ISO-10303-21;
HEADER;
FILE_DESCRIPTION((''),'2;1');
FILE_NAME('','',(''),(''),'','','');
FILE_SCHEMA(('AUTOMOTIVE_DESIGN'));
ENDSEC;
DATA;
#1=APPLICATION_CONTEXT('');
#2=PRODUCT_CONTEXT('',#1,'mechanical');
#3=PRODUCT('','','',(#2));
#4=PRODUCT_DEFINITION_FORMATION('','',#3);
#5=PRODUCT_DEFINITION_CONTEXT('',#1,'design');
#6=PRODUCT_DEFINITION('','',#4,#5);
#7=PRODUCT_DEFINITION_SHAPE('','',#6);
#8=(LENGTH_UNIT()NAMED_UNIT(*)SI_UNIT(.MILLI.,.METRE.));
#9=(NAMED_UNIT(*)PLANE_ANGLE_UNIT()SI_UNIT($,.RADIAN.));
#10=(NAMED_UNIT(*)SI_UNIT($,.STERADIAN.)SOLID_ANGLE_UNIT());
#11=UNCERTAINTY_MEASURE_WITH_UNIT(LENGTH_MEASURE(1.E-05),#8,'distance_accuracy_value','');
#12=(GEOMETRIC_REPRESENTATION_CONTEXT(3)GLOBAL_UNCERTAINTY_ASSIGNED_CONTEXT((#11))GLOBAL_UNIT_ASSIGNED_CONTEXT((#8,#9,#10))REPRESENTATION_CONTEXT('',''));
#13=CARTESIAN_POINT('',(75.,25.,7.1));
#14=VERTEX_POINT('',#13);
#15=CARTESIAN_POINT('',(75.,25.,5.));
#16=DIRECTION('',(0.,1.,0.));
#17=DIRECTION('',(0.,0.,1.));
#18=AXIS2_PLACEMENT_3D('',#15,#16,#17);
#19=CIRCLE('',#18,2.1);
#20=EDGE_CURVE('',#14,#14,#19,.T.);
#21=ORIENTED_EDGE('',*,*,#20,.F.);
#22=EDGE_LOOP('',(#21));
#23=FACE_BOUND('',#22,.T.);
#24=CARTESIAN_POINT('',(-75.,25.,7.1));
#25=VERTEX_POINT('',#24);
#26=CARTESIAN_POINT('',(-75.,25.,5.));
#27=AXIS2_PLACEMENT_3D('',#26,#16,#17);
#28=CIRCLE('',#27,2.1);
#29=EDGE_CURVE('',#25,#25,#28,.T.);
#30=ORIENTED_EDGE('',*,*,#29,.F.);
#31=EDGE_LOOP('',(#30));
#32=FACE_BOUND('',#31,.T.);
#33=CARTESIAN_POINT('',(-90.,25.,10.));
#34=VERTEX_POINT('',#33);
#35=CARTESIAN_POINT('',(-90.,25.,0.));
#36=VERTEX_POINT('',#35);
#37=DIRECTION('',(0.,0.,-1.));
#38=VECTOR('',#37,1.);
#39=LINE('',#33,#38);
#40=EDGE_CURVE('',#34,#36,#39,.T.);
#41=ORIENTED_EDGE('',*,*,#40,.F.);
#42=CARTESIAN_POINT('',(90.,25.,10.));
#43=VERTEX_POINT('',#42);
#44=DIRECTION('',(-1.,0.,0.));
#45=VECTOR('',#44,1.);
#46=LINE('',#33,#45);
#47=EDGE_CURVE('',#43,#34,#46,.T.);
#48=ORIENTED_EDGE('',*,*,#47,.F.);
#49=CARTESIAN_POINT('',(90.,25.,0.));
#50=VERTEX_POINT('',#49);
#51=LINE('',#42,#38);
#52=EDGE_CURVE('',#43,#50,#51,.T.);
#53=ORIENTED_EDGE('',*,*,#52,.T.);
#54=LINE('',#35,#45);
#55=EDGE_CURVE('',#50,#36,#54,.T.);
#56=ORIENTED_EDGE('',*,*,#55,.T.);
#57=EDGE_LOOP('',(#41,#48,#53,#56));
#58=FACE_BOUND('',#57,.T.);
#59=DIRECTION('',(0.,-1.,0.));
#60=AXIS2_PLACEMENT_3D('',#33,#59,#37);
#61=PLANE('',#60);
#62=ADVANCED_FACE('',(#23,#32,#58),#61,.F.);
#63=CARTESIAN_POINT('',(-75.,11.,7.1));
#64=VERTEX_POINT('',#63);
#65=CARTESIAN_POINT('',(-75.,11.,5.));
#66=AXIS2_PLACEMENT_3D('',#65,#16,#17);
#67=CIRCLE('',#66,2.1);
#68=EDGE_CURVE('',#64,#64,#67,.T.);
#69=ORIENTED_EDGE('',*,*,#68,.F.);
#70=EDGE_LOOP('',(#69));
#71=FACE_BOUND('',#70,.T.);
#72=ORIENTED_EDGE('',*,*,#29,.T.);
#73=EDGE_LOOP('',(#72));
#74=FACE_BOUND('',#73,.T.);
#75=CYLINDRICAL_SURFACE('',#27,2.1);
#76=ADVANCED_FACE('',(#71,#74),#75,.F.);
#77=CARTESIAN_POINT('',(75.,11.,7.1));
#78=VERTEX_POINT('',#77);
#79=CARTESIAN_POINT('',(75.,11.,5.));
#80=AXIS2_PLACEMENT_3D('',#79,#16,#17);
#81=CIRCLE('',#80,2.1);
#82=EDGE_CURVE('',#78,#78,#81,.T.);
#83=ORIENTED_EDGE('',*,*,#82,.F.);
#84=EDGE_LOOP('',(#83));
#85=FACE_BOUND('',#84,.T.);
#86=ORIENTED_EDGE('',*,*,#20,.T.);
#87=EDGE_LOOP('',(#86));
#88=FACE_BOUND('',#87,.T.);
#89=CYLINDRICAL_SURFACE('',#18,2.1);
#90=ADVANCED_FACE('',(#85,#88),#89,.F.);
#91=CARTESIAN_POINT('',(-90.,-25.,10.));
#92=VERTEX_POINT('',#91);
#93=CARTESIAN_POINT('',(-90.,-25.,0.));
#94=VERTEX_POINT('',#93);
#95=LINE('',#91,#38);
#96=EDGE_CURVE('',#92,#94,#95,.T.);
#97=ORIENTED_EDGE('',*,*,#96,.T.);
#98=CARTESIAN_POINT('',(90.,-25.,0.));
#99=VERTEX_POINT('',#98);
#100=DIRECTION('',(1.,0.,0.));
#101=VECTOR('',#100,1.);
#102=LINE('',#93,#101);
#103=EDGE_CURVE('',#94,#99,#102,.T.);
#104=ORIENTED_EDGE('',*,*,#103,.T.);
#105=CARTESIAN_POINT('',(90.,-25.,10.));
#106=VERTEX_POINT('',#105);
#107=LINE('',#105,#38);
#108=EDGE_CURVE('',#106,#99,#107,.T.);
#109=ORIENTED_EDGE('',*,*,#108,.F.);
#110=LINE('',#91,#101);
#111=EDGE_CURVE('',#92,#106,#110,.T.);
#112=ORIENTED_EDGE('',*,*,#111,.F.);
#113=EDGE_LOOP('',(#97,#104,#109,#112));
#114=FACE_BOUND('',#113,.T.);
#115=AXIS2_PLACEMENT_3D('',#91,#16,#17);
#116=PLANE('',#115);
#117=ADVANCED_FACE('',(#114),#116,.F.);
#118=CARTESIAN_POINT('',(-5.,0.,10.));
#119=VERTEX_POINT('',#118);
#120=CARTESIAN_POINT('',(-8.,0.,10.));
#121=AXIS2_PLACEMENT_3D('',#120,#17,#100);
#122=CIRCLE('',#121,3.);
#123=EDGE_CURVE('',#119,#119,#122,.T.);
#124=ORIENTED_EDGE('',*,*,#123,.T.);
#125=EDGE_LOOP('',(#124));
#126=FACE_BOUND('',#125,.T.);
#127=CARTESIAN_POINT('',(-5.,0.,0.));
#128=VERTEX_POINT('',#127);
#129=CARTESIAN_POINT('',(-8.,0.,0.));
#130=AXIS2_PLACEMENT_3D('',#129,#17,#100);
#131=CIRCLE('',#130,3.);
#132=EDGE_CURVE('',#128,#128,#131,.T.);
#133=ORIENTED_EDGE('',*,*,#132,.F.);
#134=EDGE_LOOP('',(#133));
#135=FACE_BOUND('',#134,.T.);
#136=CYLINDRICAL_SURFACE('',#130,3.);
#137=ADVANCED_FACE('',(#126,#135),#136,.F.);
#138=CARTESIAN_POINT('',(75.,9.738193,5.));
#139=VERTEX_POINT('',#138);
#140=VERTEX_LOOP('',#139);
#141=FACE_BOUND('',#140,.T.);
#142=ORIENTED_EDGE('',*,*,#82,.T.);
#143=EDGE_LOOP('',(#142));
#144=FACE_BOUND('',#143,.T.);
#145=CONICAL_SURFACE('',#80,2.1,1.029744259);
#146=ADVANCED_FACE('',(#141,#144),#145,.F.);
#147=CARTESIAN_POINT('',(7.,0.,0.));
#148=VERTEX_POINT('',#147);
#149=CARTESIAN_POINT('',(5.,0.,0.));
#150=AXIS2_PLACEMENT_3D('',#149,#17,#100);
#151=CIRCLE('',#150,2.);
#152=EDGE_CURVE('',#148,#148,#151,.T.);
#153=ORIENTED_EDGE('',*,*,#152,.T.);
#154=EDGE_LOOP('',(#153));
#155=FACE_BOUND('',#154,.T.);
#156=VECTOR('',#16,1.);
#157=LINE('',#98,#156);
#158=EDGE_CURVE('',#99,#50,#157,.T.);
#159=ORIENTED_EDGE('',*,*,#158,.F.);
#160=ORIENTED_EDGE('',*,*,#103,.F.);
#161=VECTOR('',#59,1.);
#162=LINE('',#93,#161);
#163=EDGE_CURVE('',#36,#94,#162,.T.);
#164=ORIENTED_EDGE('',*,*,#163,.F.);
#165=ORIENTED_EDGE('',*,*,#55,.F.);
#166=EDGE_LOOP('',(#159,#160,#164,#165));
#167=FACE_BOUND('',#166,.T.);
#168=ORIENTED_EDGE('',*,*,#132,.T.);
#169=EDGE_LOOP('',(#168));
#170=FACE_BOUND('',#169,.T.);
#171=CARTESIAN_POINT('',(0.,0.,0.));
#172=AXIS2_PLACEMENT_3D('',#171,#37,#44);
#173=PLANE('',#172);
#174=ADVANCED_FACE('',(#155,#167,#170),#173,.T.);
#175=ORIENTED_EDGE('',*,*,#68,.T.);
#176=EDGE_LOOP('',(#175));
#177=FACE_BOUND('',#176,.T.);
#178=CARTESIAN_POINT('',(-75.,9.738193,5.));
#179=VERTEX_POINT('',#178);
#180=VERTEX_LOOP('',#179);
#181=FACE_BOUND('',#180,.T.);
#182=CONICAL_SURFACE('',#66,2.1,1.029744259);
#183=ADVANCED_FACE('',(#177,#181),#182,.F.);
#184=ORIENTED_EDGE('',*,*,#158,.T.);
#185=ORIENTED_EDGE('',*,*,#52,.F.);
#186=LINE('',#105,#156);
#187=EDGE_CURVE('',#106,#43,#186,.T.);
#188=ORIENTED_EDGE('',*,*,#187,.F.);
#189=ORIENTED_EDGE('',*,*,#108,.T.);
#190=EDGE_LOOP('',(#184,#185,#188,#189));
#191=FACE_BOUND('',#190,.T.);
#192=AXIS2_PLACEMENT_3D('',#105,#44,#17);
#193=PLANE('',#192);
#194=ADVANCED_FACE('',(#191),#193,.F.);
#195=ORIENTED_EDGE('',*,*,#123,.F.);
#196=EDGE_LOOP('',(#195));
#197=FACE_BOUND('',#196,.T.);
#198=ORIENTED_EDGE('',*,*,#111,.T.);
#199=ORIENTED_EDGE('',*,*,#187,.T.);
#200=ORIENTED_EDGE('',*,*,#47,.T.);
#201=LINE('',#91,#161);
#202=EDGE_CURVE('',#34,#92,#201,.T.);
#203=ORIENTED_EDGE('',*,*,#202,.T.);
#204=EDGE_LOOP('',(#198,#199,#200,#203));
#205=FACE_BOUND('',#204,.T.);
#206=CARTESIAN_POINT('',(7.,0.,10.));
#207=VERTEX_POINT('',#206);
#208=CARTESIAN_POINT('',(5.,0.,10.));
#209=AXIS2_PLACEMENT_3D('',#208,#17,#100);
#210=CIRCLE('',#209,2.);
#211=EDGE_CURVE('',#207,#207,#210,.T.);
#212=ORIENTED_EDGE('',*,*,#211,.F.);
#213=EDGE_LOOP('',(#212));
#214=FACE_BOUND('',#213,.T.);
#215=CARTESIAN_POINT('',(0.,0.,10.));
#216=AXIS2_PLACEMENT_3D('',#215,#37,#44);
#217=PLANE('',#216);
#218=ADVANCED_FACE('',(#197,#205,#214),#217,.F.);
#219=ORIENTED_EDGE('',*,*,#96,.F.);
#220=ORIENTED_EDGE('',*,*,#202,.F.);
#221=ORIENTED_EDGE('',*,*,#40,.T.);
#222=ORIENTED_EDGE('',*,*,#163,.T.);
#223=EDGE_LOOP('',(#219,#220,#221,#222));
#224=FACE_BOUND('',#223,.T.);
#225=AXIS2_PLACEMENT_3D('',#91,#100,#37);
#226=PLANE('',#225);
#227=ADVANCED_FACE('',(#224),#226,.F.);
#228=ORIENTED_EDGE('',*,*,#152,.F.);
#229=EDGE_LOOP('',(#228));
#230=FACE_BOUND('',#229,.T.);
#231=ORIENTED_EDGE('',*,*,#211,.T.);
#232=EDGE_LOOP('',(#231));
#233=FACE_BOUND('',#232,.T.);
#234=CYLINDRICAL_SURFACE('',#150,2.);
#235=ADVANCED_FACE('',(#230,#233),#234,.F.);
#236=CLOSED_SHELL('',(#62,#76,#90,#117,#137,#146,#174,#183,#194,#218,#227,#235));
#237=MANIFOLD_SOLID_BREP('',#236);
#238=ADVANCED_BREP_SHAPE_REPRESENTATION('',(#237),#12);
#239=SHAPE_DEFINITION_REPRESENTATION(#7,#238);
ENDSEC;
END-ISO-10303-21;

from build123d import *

# Parameters (mm, degrees)
SKETCH2_W             = 180
SKETCH2_H             = 50
BOSS_EXTRUDE1_DEPTH   = 10
SKETCH6_R             = 3
CUT_EXTRUDE1_DEPTH    = 10
M5_TAPPED_HOLE2_D     = 4.2
M5_TAPPED_HOLE2_DEPTH = 14
M5_TAPPED_HOLE2_TIP   = 1.2618073
SKETCH9_R             = 2
CUT_EXTRUDE2_DEPTH    = 10


with BuildPart() as part:
    # Sketch2 → Boss-Extrude1 (new body)
    with BuildSketch(Plane.XY):
        Rectangle(SKETCH2_W, SKETCH2_H)
    extrude(amount=BOSS_EXTRUDE1_DEPTH)

    # Sketch6 → Cut-Extrude1 (cut)
    with BuildSketch(Plane.XY.offset(10)):
        with Locations((-8, 0)):
            Circle(SKETCH6_R)
    extrude(amount=-CUT_EXTRUDE1_DEPTH, mode=Mode.SUBTRACT)

    # M5 Tapped Hole2
    with Locations(Plane(origin=(0, 25, 0), x_dir=(1, 0, 0), z_dir=(0, 1, 0))):
        with Locations((-75, -5), (75, -5)):
            Hole(M5_TAPPED_HOLE2_D / 2, depth=M5_TAPPED_HOLE2_DEPTH)
            with Locations((0, 0, -(M5_TAPPED_HOLE2_DEPTH + M5_TAPPED_HOLE2_TIP / 2))):  # 118° drill point
                Cone(0, M5_TAPPED_HOLE2_D / 2, M5_TAPPED_HOLE2_TIP, mode=Mode.SUBTRACT)

    # Sketch9 → Cut-Extrude2 (cut)
    with BuildSketch(Plane.XY.offset(10)):
        with Locations((5, 0)):
            Circle(SKETCH9_R)
    extrude(amount=-CUT_EXTRUDE2_DEPTH, mode=Mode.SUBTRACT)


solid = part.part
